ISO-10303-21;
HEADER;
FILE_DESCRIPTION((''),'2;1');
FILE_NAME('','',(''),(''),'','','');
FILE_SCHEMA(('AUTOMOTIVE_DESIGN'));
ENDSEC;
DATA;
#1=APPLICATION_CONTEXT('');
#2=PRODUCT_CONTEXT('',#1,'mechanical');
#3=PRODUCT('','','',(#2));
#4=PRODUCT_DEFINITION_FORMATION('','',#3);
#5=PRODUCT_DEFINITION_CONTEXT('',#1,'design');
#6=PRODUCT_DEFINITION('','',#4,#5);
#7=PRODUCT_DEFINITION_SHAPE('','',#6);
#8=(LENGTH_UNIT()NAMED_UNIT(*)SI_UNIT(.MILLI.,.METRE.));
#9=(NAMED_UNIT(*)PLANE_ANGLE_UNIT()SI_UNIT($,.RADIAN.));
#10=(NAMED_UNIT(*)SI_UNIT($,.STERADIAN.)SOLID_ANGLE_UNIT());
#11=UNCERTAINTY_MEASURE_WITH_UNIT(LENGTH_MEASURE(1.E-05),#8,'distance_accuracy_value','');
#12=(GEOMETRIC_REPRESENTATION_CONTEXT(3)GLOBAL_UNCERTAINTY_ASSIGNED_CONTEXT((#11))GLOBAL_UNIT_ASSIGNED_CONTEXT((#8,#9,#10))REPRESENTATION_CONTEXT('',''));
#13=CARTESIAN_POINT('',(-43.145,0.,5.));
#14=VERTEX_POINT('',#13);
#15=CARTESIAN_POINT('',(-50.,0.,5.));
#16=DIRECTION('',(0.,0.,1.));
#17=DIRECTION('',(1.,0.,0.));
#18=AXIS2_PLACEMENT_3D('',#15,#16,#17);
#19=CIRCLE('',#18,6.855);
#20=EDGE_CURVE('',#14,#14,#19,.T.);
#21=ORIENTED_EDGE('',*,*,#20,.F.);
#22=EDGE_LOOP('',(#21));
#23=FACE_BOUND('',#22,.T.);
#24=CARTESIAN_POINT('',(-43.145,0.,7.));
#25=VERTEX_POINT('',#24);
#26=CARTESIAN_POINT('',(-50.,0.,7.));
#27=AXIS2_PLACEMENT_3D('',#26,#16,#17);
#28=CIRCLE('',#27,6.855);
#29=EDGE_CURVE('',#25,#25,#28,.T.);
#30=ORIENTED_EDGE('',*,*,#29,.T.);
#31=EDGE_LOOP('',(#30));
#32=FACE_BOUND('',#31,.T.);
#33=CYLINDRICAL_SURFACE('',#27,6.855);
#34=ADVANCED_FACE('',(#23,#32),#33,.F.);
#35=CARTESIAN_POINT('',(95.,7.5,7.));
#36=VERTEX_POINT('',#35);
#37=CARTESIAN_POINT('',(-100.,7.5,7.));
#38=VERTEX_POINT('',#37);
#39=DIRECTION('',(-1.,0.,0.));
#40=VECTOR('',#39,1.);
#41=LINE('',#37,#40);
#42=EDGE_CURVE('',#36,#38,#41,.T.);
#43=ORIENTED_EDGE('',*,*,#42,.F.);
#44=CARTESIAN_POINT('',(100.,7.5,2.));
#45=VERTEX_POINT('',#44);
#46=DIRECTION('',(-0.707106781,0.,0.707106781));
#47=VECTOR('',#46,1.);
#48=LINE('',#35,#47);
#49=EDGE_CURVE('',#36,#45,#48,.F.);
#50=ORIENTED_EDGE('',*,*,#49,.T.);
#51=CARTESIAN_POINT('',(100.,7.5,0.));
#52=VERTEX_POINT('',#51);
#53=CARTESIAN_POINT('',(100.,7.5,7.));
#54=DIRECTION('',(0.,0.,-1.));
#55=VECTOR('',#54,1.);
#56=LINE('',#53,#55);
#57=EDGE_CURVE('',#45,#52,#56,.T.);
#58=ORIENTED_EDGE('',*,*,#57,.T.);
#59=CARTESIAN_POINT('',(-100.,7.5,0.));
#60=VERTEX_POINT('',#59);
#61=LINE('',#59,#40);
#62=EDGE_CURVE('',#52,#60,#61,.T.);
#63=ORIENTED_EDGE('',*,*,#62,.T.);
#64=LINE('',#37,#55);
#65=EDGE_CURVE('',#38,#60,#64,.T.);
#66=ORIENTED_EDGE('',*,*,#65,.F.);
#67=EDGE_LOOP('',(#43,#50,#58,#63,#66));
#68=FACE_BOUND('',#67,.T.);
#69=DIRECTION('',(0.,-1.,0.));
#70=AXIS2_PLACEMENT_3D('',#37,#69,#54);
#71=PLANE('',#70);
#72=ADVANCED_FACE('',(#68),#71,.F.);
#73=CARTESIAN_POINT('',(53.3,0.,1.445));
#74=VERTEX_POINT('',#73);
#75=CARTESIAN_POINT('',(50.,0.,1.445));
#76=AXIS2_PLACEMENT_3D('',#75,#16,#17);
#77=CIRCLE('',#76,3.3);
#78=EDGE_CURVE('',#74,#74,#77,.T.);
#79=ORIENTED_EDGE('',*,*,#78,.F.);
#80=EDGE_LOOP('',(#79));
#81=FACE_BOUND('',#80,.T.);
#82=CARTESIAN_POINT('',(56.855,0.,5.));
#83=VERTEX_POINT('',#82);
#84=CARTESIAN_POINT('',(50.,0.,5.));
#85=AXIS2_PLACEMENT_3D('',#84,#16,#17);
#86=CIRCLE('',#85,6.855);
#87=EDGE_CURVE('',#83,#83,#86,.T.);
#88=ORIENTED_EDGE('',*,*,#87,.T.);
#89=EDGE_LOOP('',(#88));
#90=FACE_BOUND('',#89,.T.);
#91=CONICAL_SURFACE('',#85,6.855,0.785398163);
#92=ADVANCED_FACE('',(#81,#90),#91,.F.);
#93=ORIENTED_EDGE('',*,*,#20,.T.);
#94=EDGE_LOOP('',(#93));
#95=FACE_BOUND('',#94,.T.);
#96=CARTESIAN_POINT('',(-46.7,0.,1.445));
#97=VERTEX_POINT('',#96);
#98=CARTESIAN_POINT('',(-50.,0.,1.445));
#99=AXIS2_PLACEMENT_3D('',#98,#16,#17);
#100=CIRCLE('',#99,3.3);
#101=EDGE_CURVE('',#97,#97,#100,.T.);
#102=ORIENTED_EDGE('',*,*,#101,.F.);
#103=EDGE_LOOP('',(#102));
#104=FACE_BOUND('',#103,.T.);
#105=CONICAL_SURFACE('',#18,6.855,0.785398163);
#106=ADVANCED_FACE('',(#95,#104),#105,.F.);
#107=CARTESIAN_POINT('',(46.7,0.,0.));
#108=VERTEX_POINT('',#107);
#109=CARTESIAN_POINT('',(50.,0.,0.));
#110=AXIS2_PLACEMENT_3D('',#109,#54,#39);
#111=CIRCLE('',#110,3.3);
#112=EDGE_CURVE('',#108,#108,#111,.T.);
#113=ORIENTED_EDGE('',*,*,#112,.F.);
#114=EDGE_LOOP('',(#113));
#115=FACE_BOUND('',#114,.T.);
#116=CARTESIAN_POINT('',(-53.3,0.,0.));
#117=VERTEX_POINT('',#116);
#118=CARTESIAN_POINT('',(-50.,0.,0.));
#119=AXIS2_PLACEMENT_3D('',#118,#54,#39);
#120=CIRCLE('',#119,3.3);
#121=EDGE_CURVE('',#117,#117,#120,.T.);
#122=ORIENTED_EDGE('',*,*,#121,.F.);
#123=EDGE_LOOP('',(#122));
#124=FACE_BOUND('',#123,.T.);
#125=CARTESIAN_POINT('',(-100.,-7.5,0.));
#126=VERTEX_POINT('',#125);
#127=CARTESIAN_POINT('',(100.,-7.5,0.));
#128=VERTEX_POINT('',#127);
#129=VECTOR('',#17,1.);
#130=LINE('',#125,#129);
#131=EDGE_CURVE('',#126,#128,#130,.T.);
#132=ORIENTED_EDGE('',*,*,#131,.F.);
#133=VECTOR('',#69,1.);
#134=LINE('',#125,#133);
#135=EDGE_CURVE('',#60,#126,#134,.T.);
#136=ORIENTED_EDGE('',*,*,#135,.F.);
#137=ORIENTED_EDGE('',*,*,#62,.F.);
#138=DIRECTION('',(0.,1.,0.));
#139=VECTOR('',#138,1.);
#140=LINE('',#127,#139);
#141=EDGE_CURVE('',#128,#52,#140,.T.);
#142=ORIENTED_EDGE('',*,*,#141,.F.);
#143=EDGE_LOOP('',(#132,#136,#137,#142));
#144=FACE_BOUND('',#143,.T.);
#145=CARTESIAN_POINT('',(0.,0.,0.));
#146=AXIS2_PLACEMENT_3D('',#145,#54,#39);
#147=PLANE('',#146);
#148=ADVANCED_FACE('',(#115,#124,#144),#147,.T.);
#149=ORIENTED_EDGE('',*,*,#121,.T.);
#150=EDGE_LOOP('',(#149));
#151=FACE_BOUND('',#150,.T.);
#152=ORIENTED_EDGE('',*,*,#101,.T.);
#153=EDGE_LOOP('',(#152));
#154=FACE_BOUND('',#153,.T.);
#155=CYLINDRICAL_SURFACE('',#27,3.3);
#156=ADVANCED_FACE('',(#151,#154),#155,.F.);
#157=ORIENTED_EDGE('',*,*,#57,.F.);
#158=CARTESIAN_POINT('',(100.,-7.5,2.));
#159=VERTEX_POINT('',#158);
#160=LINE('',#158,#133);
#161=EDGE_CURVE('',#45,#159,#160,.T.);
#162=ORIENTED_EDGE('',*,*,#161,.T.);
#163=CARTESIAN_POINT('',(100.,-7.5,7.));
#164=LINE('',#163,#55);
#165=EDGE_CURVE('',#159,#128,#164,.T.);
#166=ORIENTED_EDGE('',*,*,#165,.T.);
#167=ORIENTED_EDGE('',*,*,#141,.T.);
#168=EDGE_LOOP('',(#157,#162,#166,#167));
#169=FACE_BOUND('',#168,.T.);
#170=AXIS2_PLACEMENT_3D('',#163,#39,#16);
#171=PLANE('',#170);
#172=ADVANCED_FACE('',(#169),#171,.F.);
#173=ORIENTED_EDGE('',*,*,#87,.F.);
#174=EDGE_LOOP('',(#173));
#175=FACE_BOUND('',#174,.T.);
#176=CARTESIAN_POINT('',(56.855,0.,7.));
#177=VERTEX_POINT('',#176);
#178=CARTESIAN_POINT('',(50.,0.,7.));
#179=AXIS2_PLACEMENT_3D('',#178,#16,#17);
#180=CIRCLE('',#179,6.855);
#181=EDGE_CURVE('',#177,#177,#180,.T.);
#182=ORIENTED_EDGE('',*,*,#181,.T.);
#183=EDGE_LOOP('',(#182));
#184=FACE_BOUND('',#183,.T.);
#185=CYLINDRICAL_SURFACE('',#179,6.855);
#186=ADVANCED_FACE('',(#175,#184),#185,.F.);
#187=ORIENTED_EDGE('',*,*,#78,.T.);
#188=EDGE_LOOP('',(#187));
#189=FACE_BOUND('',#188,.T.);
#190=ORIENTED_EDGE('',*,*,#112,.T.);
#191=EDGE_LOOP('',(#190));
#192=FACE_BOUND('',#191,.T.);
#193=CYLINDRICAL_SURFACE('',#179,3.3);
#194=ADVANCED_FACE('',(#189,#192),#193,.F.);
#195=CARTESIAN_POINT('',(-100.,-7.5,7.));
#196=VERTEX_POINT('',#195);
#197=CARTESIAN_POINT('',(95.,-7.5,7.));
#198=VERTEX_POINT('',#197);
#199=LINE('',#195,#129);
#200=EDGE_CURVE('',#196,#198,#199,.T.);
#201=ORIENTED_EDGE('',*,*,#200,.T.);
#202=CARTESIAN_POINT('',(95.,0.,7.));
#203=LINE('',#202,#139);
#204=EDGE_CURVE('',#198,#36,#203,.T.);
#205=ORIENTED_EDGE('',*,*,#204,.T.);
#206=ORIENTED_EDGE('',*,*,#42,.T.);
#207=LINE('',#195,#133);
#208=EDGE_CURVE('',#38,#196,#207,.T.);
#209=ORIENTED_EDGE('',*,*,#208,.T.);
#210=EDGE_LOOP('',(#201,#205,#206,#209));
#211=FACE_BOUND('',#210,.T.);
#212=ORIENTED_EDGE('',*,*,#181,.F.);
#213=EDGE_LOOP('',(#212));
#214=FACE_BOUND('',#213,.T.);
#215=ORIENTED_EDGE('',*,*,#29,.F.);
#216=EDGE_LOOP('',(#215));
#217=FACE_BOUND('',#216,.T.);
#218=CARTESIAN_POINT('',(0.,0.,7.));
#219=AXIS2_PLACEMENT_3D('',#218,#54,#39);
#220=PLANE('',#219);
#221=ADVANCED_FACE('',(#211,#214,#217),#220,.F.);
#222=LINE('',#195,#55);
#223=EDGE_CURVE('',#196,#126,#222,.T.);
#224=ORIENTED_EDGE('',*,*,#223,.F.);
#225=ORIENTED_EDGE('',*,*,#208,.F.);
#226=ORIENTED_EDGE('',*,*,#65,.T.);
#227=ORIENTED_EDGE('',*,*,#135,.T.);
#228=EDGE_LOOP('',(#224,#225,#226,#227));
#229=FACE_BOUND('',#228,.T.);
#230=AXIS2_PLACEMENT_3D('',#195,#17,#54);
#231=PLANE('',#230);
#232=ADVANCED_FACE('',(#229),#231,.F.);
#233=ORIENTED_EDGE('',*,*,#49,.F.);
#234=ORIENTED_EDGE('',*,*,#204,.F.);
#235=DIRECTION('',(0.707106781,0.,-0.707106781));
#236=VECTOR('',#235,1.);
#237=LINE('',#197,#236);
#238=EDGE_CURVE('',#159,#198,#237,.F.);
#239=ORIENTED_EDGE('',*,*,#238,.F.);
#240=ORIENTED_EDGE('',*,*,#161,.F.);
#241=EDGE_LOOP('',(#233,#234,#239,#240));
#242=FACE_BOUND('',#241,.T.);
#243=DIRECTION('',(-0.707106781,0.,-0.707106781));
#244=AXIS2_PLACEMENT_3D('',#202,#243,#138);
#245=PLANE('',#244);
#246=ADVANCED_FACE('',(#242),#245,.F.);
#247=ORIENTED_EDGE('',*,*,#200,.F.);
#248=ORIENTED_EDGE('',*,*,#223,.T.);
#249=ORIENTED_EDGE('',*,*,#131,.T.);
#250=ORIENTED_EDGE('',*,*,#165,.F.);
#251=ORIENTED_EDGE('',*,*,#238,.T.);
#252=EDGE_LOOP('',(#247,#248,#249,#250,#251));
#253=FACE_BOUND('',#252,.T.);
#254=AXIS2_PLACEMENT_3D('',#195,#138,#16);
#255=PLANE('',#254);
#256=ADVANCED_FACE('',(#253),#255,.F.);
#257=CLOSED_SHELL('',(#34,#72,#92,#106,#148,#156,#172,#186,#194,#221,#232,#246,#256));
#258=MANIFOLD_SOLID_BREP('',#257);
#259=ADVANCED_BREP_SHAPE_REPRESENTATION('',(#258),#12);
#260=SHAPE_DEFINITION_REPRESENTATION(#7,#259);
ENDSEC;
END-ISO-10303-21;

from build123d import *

# Parameters (mm, degrees)
SKETCH_1_W                 = 200
SKETCH_1_H                 = 15
EXTRUDE_1_DEPTH            = 7
CHAMFER_1_SIZE             = 5
HOLE_WIZARD_M61_AT_2_COUNT = 2
HOLE_WIZARD_M61_AT_2_PITCH = 100


with BuildPart() as part:
    # Эскиз1 → Бобышка-Вытянуть1 (new body)
    with BuildSketch(Plane.XY):
        Rectangle(SKETCH_1_W, SKETCH_1_H)
    extrude(amount=EXTRUDE_1_DEPTH)

    # Фаска1
    chamfer_1_edges = [part.edges().sort_by_distance(p)[0] for p in [
        (100, 0, 7),
    ]]
    chamfer(chamfer_1_edges, length=CHAMFER_1_SIZE)

    # Эскиз4 → Зенковка для винта с потайной головкой и внутренним шестигранником M61 (revolve, cut)
    with BuildSketch(Plane(origin=(-50, 0, 7), x_dir=(0, -1, 0), z_dir=(1, 0, 0))):
        Polygon((0, 0), (0, 31.982840043), (3.3, 30), (3.3, 5.555), (6.855, 2), (6.855, 0), align=None)
    hole_wizard_m61 = revolve(axis=Axis((-50, 0, 13.35), (0, 0, -1)), mode=Mode.SUBTRACT)

    # Зенковка для винта с потайной головкой и внутренним шестигранником M61 at 2: Зенковка для винта с потайной головкой и внутренним шестигранником M61 ×2
    with Locations(*[(i * HOLE_WIZARD_M61_AT_2_PITCH, 0, 0) for i in range(1, HOLE_WIZARD_M61_AT_2_COUNT)]):
        add(hole_wizard_m61, mode=Mode.SUBTRACT)


solid = part.part
